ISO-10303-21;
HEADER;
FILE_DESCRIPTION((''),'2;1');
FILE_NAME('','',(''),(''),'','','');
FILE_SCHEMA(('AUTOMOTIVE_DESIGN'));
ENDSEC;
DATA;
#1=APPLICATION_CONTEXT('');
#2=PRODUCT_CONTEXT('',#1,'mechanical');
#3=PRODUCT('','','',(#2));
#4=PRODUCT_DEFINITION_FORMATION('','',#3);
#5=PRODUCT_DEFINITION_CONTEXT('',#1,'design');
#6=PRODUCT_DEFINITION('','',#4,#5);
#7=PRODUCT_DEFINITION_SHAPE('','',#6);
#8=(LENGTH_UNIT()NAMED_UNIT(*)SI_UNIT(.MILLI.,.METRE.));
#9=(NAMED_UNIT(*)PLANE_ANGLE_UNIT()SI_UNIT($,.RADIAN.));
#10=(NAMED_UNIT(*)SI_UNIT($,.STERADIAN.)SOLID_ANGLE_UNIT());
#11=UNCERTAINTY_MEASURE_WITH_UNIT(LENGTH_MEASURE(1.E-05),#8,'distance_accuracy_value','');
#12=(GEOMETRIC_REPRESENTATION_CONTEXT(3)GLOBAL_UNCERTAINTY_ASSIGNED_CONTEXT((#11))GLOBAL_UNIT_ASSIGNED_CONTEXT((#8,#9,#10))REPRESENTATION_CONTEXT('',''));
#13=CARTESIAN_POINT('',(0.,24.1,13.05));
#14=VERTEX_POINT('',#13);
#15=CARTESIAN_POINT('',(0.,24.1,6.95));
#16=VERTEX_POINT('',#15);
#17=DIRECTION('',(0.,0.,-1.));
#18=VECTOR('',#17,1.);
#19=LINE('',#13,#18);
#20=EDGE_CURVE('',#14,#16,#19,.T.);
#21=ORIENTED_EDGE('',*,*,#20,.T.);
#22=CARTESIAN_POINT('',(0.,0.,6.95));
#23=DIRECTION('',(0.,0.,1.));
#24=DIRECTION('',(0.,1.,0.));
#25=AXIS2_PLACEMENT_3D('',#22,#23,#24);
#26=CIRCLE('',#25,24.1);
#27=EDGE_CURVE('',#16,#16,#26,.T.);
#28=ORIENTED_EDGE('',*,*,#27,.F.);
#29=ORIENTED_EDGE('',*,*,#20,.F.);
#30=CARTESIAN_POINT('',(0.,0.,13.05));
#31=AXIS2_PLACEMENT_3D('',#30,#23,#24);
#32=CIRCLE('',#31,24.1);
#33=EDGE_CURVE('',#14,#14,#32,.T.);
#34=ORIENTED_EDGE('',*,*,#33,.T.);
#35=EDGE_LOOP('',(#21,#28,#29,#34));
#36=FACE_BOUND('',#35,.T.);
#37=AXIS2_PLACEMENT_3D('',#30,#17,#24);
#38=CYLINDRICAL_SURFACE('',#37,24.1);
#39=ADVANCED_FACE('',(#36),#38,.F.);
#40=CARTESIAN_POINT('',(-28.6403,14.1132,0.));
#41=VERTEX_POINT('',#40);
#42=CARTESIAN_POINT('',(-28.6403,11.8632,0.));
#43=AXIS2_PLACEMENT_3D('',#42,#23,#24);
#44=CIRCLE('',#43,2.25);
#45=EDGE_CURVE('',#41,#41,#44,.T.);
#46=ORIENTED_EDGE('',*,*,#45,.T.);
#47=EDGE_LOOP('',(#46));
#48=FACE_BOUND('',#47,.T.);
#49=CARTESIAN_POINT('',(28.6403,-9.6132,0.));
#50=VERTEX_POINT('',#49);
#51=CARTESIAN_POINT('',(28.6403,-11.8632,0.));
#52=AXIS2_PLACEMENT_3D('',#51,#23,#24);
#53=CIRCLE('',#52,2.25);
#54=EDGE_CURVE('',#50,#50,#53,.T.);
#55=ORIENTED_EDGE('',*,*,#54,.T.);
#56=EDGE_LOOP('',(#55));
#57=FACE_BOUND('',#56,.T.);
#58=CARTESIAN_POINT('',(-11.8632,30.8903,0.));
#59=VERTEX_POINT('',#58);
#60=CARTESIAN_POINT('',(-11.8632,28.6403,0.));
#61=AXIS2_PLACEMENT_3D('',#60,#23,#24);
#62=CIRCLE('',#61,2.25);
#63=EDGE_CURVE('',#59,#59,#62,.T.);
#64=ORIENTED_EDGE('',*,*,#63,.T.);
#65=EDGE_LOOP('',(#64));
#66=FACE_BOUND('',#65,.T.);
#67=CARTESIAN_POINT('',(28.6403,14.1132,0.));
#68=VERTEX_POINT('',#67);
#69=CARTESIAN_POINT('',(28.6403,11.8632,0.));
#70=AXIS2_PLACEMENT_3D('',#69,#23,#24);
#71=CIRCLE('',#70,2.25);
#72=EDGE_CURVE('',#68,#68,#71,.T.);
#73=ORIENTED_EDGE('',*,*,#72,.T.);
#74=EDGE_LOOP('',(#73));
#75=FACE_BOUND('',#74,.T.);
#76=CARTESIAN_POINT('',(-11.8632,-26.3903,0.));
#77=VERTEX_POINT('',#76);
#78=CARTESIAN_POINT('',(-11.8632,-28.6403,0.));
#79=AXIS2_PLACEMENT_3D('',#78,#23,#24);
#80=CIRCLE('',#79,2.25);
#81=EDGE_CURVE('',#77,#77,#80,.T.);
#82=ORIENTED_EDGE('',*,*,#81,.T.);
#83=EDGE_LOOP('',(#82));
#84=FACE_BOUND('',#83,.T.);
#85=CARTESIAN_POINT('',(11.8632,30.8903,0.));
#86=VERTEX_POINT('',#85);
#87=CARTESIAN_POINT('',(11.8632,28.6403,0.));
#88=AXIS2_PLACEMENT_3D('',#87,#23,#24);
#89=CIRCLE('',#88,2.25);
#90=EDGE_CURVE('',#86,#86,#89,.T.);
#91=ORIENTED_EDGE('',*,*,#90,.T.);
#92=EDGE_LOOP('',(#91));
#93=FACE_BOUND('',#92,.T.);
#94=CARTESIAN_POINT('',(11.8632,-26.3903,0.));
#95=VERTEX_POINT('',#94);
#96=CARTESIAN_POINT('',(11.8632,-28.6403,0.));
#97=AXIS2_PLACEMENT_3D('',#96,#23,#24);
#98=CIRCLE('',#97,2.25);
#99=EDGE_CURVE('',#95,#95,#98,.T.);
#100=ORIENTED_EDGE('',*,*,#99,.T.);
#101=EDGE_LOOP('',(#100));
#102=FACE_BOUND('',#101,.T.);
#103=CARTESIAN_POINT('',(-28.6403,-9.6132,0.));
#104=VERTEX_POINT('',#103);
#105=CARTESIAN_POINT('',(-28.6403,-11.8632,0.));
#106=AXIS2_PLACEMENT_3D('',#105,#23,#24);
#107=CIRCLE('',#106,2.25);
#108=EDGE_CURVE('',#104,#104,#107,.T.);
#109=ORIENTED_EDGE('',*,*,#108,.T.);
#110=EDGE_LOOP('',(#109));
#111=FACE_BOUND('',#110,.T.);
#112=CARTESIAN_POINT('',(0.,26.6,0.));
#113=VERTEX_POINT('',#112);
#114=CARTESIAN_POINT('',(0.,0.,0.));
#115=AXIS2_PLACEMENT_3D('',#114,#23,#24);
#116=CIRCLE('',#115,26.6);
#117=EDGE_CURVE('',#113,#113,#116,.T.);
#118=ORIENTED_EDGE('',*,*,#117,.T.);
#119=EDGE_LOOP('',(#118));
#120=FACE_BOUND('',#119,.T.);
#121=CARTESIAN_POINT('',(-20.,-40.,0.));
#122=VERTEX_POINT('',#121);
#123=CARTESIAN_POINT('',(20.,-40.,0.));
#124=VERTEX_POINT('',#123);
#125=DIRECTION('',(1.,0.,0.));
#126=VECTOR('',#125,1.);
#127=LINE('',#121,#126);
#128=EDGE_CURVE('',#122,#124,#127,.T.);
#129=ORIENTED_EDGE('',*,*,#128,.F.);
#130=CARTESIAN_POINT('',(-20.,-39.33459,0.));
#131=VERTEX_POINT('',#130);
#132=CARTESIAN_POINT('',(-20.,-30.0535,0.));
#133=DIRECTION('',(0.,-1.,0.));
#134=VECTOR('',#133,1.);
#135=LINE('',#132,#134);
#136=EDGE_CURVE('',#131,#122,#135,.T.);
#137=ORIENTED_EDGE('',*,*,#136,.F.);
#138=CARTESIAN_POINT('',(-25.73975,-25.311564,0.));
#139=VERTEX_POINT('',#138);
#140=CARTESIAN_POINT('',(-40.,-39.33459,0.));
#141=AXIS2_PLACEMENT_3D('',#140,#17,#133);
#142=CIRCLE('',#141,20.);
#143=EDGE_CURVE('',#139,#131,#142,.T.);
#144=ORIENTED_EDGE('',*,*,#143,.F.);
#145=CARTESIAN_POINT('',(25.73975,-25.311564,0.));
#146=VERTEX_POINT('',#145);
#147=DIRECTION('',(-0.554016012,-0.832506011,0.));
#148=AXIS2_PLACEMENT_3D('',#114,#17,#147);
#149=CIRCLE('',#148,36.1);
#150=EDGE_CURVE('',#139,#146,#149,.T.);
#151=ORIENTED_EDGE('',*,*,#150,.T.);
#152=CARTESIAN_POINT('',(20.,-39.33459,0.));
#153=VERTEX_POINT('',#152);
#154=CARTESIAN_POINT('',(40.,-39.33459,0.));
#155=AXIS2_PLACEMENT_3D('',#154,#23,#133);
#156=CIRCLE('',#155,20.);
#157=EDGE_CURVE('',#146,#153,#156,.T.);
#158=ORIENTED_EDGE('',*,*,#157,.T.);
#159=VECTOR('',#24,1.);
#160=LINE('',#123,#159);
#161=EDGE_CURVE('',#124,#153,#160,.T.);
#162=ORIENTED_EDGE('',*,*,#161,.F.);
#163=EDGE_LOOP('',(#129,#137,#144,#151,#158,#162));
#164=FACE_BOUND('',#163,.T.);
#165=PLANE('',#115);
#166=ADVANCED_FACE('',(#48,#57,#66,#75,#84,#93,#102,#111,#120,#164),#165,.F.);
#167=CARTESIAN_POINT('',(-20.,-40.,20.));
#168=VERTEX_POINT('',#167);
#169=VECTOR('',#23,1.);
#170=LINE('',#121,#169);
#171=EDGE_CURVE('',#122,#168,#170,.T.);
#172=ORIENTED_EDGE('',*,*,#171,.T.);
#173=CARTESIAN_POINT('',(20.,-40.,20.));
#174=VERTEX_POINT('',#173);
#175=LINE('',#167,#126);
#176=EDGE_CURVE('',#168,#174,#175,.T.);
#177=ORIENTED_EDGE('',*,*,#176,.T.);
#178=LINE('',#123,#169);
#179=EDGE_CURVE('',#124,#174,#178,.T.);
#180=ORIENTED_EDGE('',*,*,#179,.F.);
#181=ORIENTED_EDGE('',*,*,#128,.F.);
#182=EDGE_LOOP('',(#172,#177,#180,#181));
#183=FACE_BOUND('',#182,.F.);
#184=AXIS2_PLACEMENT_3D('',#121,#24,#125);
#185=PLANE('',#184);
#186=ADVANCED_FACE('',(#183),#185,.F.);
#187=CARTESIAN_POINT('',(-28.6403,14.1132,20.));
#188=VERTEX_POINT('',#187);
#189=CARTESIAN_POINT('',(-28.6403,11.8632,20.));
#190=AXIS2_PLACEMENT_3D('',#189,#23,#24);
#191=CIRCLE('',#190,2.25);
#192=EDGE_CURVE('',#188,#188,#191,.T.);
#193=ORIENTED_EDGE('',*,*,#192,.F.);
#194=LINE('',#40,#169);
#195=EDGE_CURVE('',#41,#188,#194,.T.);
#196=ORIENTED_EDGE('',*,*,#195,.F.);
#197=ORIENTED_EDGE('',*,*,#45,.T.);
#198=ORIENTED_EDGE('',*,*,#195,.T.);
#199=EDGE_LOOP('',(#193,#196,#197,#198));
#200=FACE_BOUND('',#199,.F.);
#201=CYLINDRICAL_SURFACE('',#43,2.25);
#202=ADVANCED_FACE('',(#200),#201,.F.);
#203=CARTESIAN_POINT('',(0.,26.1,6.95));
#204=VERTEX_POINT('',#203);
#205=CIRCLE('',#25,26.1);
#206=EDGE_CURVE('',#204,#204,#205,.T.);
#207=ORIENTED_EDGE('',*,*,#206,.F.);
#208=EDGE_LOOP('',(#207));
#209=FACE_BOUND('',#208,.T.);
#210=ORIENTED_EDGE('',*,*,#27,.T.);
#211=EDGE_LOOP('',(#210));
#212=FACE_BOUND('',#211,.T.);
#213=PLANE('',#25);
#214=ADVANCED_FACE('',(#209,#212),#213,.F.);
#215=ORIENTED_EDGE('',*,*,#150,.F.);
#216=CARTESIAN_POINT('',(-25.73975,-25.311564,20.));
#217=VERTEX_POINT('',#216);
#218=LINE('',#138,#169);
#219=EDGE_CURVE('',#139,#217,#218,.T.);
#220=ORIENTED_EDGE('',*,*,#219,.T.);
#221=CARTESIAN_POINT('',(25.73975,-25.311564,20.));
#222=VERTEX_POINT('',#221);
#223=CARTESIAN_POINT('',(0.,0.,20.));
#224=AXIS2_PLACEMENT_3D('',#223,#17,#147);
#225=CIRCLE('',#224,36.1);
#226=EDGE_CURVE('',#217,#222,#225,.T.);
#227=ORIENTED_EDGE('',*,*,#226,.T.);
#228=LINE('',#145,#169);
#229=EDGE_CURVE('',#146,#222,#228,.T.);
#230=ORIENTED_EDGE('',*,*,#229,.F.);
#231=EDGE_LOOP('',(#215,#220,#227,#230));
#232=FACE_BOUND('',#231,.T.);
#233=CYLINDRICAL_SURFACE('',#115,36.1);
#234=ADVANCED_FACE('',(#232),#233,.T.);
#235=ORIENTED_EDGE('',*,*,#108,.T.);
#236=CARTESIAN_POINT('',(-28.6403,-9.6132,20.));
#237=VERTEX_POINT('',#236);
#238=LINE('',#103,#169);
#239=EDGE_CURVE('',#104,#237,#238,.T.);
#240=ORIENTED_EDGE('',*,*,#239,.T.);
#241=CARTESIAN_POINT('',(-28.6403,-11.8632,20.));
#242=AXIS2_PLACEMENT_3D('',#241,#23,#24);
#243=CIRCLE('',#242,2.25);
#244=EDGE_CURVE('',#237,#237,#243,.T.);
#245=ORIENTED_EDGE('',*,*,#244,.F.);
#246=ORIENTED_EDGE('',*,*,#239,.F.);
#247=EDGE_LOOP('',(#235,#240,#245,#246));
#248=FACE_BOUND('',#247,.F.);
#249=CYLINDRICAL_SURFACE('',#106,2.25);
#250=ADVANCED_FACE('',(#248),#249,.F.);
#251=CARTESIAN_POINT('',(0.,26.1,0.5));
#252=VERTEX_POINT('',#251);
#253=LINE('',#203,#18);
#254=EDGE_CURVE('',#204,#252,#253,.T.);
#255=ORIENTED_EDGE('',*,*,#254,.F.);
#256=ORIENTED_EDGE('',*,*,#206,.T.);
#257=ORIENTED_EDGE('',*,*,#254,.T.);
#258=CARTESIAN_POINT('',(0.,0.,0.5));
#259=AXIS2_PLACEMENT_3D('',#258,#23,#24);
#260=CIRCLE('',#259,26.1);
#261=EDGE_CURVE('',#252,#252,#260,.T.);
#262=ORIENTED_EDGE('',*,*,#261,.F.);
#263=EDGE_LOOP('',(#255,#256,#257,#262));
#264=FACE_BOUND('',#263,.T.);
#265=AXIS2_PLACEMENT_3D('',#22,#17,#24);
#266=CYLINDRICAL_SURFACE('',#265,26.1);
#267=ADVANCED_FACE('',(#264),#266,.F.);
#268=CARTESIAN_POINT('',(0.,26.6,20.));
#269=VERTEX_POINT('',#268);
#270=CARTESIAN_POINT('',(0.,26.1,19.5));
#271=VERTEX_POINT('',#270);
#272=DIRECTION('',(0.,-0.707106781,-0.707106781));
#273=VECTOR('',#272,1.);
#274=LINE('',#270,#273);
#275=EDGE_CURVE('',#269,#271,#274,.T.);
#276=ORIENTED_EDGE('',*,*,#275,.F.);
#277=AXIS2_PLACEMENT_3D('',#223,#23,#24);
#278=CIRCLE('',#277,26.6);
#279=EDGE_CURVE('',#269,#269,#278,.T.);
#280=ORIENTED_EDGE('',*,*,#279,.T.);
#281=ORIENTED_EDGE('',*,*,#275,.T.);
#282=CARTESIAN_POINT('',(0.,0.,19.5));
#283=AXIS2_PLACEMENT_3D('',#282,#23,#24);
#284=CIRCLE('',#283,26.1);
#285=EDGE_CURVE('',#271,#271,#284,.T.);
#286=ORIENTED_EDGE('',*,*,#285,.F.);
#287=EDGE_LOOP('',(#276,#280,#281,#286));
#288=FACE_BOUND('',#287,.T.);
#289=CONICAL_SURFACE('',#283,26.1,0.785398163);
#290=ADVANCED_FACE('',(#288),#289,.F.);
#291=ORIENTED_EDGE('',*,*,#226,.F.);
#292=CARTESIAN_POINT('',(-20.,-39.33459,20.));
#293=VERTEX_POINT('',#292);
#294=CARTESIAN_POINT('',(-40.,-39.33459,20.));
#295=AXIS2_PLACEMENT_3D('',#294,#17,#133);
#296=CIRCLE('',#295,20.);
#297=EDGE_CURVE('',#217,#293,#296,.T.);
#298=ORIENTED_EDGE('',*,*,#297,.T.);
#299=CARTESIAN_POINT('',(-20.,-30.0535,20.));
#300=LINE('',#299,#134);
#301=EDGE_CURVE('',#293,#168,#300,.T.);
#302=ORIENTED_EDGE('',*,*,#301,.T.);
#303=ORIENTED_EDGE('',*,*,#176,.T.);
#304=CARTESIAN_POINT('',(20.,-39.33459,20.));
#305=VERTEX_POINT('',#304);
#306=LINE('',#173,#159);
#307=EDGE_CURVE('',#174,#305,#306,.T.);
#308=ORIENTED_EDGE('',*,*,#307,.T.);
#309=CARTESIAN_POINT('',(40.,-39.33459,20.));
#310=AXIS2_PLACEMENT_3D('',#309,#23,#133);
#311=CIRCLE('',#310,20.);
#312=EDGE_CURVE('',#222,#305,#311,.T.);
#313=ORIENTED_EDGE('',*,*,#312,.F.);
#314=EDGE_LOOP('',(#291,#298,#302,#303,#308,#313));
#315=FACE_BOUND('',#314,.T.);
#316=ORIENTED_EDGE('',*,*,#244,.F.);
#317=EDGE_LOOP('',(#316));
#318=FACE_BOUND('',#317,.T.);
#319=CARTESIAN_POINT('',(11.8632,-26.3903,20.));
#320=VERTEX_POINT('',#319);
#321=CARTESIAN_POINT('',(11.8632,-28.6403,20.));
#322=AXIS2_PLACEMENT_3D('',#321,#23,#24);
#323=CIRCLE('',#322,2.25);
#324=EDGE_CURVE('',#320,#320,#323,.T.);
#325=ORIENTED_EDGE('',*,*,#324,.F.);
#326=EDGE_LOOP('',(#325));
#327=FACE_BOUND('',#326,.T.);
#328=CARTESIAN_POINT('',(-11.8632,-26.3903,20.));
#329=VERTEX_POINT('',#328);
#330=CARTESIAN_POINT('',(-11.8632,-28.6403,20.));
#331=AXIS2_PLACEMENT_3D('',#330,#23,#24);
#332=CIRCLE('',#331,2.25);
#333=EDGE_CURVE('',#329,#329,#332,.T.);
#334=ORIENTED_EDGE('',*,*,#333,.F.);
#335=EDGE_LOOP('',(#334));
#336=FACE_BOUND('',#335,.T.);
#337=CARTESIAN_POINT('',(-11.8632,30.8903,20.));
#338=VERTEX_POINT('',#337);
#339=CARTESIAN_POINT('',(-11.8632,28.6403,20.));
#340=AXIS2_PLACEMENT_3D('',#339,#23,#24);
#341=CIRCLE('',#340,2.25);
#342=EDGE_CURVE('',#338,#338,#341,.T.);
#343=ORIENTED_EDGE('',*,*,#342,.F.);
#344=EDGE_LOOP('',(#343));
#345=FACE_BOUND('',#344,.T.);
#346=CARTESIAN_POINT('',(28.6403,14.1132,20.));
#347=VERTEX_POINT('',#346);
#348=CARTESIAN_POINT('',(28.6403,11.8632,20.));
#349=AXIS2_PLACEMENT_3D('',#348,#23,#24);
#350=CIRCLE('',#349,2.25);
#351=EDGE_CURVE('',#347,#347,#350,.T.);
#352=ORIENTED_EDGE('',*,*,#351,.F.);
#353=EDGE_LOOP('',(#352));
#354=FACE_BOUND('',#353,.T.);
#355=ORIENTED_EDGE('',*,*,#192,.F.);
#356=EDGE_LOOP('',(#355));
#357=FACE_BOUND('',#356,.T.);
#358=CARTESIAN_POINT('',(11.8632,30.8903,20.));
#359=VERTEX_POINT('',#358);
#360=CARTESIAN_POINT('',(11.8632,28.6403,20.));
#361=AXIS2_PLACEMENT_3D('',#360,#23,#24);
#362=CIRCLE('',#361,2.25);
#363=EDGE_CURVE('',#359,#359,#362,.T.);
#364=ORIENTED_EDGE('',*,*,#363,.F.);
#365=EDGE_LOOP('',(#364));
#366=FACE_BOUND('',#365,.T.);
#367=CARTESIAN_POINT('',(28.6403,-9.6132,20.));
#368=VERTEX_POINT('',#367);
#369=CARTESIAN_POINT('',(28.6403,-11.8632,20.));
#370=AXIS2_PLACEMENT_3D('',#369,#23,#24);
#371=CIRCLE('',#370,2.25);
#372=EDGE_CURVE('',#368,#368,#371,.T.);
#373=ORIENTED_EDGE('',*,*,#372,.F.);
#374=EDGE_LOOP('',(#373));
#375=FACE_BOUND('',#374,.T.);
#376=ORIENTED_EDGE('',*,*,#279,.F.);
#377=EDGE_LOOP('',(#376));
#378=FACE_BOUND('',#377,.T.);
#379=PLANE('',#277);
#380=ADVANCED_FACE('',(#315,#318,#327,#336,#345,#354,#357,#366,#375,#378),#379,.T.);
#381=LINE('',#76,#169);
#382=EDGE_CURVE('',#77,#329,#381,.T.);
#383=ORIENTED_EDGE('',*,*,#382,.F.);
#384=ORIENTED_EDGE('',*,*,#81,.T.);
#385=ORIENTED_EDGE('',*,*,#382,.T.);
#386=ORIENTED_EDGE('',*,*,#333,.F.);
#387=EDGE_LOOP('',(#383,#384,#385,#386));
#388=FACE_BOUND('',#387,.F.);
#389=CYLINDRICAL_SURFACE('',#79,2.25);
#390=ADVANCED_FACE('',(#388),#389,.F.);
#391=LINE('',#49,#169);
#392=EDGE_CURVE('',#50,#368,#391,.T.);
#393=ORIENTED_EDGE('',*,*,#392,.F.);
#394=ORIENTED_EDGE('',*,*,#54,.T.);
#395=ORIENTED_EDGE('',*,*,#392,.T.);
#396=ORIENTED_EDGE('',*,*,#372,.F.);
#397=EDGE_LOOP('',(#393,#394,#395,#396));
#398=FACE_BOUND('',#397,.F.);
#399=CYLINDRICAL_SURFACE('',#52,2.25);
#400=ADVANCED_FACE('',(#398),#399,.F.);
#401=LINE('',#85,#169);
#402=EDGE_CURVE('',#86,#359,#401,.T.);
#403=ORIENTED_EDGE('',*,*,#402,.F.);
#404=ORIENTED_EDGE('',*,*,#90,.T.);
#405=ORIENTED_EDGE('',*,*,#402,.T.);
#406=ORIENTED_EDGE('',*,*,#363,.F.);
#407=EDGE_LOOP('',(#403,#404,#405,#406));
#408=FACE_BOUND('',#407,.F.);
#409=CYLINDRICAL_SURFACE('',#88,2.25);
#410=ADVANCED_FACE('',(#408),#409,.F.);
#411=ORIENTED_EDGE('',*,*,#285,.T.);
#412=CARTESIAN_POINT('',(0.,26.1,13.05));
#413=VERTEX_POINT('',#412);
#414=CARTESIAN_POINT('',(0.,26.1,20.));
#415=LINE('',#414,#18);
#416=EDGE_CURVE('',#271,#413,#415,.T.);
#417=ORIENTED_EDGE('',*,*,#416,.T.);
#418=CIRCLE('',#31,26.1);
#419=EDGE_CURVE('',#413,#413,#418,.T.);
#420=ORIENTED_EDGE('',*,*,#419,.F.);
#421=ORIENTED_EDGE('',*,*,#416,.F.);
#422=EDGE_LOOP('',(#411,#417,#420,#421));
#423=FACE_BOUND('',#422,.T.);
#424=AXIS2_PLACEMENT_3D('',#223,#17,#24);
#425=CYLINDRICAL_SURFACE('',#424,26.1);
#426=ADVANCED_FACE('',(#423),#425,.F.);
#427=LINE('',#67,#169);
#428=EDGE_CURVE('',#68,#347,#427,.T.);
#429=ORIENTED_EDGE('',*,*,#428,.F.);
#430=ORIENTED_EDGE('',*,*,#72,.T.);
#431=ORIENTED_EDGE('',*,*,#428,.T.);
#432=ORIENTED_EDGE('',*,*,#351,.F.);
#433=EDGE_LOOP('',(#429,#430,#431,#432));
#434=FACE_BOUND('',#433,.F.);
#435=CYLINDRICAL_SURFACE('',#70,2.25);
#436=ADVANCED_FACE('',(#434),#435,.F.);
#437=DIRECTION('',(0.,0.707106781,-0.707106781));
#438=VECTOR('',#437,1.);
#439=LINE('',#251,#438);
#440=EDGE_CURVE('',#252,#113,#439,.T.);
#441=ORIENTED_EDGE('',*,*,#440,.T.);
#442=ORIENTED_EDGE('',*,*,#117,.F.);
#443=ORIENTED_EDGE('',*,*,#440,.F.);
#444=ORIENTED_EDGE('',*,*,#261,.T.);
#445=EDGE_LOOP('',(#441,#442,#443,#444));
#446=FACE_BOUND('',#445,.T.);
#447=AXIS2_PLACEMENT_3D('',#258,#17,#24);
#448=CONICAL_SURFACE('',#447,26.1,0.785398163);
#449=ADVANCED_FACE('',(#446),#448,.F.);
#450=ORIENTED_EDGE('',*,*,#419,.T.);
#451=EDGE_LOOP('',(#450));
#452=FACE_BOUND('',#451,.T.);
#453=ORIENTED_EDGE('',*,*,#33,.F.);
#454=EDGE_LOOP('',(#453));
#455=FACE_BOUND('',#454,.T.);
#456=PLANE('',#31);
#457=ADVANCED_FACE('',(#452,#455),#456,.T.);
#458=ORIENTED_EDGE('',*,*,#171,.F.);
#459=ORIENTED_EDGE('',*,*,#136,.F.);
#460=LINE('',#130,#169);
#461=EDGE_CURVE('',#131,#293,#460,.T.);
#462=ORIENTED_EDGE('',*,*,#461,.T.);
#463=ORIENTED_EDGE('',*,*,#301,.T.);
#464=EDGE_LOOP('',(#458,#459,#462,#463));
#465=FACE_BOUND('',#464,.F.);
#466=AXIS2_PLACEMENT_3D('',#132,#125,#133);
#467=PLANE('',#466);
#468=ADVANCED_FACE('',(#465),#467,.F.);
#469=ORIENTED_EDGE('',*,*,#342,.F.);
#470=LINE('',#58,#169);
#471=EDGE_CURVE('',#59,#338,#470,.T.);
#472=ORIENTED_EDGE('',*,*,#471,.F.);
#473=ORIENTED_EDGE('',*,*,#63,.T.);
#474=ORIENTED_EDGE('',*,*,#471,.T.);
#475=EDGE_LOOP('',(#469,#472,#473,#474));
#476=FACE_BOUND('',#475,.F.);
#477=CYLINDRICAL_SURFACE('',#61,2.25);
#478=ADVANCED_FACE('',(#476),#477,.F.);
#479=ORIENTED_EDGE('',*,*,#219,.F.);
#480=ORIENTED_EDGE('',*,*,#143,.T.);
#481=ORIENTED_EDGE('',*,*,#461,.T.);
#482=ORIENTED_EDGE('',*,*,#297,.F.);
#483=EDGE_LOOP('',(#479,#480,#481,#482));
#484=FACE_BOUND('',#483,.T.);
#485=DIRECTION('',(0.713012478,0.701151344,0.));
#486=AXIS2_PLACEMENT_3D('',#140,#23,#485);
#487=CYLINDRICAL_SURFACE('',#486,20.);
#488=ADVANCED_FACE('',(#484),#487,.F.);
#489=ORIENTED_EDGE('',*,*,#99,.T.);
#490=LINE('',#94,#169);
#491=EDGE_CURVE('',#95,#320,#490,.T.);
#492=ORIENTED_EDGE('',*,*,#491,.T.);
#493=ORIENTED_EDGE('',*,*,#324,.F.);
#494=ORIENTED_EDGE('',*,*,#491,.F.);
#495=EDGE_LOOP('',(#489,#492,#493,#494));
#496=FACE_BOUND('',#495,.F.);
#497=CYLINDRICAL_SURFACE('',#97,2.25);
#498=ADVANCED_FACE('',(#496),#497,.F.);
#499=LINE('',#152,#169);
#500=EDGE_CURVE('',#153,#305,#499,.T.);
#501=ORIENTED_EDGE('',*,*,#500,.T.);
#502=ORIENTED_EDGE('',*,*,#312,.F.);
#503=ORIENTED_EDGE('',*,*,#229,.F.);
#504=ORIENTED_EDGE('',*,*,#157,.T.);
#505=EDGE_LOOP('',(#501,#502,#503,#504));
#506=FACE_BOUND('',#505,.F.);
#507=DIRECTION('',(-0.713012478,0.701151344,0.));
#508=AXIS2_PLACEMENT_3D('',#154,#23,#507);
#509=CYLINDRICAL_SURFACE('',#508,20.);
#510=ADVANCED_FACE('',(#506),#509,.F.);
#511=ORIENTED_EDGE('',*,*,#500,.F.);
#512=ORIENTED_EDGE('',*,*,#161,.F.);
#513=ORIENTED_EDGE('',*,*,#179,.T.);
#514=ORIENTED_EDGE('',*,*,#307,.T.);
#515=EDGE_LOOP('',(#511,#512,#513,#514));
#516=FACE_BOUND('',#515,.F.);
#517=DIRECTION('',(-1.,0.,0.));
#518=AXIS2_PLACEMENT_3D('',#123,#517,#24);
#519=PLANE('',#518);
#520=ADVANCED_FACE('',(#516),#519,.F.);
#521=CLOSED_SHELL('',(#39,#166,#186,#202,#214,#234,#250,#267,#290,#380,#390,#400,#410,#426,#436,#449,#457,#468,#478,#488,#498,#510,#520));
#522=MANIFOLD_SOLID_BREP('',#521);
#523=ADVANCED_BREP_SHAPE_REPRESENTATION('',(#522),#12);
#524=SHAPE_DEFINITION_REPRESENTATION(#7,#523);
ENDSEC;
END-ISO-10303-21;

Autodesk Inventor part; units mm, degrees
ref_plane "YZ Plane" through (0, 0, 0) normal (1, 0, 0) x (0, 1, 0)
ref_plane "XZ Plane" through (0, 0, 0) normal (0, 1, 0) x (-1, 0, 0)
ref_plane "XY Plane" through (0, 0, 0) normal (0, 0, 1) x (1, 0, 0)
sketch "スケッチ1" plane through (0, 0, 0) normal (1, 0, 0) x (0, 1, 0)
  line L0 (26.1, 0) -> (36.1, 0)
  line L1 (36.1, 0) -> (36.1, 20)
  line L2 (36.1, 20) -> (26.1, 20)
  line L3 (26.1, 20) -> (26.1, 13.05)
  line L4 (26.1, 13.05) -> (24.1, 13.05)
  line L5 (0, -4) -> (0, 24) projected
  line L6 (24.1, 13.05) -> (24.1, 6.95)
  line L7 (24.1, 6.95) -> (26.1, 6.95)
  line L8 (26.1, 6.95) -> (26.1, 0)
  point P0 (0, 0)
  dimension "d0" = 26.1
  dimension "d2" = 6.95
  dimension "d3" = 20
  dimension "d4" = 10
  dimension "d28" = 2
  dimension "d29" = 6.95
revolve "回転1" add sketch "スケッチ1" angle 360 about axis through (0, 0, -10) along (0, 0, 1)
sketch "スケッチ2" plane through (0, 0, 0) normal (0, 0, -1) x (-1, 0, 0)
  circle A0 centre (0, 0) radius 31
  point P0 (-11.8632, 28.6403)
  point P1 (-28.6403, 11.8632)
  point P2 (-28.6403, -11.8632)
  point P3 (-11.8632, -28.6403)
  point P4 (11.8632, -28.6403)
  point P5 (28.6403, -11.8632)
  point P6 (28.6403, 11.8632)
  point P7 (11.8632, 28.6403)
  dimension "d6" = 62
  dimension "d9" = 360
  dimension "d25" = 0
hole "穴1" at (11.8632, 28.6403, 0) at (28.6403, 11.8632, 0) at (28.6403, -11.8632, 0) at (11.8632, -28.6403, 0) at (-11.8632, -28.6403, 0) at (-28.6403, -11.8632, 0) at (-28.6403, 11.8632, 0) at (-11.8632, 28.6403, 0) direction (0, 0, 1) diameter 4.5 end through all clearance for "Flat Head Machine Screw" size "M4" standard "Ansi Metric M Profile"
chamfer "面取り1" distance 0.5 angle 45 2 edges at (0, -26.1, 20) (0, -26.1, 0)
sketch "スケッチ3" plane through (0, 0, 0) normal (0, 0, -1) x (-1, 0, 0)
  line L0 (-20, -30.0535) -> (20, -30.0535)
  line L1 (20, -30.0535) -> (20, -40)
  line L2 (20, -40) -> (-20, -40)
  line L3 (-20, -40) -> (-20, -30.0535)
  line L4 (-20, -30.0535) -> (20, -40) construction
  line L5 (20, -30.0535) -> (-20, -40) construction
  circle A0 centre (0, 0) radius 36.1 projected
  point P0 (0, -35.0267)
  point P1 (0, -35.0267)
  point P2 (20, -30.0535)
  dimension "d21" = 40
  dimension "d22" = 40
extrude "押し出し1" add sketch "スケッチ3" against normal up to surface (20 mm away) contours A0 L1 L2 L3
fillet "フィレット2" radius 20 2 edges at (20, -30.0535, 10) (-20, -30.0535, 10)
ref_plane "作業平面1" through (-20, -40, 10) normal (0, 0, 1) x (1, 0, 0)
equation "\"d29\" = d2"
properties part number "scara-base15" material "ABS プラスチック"
